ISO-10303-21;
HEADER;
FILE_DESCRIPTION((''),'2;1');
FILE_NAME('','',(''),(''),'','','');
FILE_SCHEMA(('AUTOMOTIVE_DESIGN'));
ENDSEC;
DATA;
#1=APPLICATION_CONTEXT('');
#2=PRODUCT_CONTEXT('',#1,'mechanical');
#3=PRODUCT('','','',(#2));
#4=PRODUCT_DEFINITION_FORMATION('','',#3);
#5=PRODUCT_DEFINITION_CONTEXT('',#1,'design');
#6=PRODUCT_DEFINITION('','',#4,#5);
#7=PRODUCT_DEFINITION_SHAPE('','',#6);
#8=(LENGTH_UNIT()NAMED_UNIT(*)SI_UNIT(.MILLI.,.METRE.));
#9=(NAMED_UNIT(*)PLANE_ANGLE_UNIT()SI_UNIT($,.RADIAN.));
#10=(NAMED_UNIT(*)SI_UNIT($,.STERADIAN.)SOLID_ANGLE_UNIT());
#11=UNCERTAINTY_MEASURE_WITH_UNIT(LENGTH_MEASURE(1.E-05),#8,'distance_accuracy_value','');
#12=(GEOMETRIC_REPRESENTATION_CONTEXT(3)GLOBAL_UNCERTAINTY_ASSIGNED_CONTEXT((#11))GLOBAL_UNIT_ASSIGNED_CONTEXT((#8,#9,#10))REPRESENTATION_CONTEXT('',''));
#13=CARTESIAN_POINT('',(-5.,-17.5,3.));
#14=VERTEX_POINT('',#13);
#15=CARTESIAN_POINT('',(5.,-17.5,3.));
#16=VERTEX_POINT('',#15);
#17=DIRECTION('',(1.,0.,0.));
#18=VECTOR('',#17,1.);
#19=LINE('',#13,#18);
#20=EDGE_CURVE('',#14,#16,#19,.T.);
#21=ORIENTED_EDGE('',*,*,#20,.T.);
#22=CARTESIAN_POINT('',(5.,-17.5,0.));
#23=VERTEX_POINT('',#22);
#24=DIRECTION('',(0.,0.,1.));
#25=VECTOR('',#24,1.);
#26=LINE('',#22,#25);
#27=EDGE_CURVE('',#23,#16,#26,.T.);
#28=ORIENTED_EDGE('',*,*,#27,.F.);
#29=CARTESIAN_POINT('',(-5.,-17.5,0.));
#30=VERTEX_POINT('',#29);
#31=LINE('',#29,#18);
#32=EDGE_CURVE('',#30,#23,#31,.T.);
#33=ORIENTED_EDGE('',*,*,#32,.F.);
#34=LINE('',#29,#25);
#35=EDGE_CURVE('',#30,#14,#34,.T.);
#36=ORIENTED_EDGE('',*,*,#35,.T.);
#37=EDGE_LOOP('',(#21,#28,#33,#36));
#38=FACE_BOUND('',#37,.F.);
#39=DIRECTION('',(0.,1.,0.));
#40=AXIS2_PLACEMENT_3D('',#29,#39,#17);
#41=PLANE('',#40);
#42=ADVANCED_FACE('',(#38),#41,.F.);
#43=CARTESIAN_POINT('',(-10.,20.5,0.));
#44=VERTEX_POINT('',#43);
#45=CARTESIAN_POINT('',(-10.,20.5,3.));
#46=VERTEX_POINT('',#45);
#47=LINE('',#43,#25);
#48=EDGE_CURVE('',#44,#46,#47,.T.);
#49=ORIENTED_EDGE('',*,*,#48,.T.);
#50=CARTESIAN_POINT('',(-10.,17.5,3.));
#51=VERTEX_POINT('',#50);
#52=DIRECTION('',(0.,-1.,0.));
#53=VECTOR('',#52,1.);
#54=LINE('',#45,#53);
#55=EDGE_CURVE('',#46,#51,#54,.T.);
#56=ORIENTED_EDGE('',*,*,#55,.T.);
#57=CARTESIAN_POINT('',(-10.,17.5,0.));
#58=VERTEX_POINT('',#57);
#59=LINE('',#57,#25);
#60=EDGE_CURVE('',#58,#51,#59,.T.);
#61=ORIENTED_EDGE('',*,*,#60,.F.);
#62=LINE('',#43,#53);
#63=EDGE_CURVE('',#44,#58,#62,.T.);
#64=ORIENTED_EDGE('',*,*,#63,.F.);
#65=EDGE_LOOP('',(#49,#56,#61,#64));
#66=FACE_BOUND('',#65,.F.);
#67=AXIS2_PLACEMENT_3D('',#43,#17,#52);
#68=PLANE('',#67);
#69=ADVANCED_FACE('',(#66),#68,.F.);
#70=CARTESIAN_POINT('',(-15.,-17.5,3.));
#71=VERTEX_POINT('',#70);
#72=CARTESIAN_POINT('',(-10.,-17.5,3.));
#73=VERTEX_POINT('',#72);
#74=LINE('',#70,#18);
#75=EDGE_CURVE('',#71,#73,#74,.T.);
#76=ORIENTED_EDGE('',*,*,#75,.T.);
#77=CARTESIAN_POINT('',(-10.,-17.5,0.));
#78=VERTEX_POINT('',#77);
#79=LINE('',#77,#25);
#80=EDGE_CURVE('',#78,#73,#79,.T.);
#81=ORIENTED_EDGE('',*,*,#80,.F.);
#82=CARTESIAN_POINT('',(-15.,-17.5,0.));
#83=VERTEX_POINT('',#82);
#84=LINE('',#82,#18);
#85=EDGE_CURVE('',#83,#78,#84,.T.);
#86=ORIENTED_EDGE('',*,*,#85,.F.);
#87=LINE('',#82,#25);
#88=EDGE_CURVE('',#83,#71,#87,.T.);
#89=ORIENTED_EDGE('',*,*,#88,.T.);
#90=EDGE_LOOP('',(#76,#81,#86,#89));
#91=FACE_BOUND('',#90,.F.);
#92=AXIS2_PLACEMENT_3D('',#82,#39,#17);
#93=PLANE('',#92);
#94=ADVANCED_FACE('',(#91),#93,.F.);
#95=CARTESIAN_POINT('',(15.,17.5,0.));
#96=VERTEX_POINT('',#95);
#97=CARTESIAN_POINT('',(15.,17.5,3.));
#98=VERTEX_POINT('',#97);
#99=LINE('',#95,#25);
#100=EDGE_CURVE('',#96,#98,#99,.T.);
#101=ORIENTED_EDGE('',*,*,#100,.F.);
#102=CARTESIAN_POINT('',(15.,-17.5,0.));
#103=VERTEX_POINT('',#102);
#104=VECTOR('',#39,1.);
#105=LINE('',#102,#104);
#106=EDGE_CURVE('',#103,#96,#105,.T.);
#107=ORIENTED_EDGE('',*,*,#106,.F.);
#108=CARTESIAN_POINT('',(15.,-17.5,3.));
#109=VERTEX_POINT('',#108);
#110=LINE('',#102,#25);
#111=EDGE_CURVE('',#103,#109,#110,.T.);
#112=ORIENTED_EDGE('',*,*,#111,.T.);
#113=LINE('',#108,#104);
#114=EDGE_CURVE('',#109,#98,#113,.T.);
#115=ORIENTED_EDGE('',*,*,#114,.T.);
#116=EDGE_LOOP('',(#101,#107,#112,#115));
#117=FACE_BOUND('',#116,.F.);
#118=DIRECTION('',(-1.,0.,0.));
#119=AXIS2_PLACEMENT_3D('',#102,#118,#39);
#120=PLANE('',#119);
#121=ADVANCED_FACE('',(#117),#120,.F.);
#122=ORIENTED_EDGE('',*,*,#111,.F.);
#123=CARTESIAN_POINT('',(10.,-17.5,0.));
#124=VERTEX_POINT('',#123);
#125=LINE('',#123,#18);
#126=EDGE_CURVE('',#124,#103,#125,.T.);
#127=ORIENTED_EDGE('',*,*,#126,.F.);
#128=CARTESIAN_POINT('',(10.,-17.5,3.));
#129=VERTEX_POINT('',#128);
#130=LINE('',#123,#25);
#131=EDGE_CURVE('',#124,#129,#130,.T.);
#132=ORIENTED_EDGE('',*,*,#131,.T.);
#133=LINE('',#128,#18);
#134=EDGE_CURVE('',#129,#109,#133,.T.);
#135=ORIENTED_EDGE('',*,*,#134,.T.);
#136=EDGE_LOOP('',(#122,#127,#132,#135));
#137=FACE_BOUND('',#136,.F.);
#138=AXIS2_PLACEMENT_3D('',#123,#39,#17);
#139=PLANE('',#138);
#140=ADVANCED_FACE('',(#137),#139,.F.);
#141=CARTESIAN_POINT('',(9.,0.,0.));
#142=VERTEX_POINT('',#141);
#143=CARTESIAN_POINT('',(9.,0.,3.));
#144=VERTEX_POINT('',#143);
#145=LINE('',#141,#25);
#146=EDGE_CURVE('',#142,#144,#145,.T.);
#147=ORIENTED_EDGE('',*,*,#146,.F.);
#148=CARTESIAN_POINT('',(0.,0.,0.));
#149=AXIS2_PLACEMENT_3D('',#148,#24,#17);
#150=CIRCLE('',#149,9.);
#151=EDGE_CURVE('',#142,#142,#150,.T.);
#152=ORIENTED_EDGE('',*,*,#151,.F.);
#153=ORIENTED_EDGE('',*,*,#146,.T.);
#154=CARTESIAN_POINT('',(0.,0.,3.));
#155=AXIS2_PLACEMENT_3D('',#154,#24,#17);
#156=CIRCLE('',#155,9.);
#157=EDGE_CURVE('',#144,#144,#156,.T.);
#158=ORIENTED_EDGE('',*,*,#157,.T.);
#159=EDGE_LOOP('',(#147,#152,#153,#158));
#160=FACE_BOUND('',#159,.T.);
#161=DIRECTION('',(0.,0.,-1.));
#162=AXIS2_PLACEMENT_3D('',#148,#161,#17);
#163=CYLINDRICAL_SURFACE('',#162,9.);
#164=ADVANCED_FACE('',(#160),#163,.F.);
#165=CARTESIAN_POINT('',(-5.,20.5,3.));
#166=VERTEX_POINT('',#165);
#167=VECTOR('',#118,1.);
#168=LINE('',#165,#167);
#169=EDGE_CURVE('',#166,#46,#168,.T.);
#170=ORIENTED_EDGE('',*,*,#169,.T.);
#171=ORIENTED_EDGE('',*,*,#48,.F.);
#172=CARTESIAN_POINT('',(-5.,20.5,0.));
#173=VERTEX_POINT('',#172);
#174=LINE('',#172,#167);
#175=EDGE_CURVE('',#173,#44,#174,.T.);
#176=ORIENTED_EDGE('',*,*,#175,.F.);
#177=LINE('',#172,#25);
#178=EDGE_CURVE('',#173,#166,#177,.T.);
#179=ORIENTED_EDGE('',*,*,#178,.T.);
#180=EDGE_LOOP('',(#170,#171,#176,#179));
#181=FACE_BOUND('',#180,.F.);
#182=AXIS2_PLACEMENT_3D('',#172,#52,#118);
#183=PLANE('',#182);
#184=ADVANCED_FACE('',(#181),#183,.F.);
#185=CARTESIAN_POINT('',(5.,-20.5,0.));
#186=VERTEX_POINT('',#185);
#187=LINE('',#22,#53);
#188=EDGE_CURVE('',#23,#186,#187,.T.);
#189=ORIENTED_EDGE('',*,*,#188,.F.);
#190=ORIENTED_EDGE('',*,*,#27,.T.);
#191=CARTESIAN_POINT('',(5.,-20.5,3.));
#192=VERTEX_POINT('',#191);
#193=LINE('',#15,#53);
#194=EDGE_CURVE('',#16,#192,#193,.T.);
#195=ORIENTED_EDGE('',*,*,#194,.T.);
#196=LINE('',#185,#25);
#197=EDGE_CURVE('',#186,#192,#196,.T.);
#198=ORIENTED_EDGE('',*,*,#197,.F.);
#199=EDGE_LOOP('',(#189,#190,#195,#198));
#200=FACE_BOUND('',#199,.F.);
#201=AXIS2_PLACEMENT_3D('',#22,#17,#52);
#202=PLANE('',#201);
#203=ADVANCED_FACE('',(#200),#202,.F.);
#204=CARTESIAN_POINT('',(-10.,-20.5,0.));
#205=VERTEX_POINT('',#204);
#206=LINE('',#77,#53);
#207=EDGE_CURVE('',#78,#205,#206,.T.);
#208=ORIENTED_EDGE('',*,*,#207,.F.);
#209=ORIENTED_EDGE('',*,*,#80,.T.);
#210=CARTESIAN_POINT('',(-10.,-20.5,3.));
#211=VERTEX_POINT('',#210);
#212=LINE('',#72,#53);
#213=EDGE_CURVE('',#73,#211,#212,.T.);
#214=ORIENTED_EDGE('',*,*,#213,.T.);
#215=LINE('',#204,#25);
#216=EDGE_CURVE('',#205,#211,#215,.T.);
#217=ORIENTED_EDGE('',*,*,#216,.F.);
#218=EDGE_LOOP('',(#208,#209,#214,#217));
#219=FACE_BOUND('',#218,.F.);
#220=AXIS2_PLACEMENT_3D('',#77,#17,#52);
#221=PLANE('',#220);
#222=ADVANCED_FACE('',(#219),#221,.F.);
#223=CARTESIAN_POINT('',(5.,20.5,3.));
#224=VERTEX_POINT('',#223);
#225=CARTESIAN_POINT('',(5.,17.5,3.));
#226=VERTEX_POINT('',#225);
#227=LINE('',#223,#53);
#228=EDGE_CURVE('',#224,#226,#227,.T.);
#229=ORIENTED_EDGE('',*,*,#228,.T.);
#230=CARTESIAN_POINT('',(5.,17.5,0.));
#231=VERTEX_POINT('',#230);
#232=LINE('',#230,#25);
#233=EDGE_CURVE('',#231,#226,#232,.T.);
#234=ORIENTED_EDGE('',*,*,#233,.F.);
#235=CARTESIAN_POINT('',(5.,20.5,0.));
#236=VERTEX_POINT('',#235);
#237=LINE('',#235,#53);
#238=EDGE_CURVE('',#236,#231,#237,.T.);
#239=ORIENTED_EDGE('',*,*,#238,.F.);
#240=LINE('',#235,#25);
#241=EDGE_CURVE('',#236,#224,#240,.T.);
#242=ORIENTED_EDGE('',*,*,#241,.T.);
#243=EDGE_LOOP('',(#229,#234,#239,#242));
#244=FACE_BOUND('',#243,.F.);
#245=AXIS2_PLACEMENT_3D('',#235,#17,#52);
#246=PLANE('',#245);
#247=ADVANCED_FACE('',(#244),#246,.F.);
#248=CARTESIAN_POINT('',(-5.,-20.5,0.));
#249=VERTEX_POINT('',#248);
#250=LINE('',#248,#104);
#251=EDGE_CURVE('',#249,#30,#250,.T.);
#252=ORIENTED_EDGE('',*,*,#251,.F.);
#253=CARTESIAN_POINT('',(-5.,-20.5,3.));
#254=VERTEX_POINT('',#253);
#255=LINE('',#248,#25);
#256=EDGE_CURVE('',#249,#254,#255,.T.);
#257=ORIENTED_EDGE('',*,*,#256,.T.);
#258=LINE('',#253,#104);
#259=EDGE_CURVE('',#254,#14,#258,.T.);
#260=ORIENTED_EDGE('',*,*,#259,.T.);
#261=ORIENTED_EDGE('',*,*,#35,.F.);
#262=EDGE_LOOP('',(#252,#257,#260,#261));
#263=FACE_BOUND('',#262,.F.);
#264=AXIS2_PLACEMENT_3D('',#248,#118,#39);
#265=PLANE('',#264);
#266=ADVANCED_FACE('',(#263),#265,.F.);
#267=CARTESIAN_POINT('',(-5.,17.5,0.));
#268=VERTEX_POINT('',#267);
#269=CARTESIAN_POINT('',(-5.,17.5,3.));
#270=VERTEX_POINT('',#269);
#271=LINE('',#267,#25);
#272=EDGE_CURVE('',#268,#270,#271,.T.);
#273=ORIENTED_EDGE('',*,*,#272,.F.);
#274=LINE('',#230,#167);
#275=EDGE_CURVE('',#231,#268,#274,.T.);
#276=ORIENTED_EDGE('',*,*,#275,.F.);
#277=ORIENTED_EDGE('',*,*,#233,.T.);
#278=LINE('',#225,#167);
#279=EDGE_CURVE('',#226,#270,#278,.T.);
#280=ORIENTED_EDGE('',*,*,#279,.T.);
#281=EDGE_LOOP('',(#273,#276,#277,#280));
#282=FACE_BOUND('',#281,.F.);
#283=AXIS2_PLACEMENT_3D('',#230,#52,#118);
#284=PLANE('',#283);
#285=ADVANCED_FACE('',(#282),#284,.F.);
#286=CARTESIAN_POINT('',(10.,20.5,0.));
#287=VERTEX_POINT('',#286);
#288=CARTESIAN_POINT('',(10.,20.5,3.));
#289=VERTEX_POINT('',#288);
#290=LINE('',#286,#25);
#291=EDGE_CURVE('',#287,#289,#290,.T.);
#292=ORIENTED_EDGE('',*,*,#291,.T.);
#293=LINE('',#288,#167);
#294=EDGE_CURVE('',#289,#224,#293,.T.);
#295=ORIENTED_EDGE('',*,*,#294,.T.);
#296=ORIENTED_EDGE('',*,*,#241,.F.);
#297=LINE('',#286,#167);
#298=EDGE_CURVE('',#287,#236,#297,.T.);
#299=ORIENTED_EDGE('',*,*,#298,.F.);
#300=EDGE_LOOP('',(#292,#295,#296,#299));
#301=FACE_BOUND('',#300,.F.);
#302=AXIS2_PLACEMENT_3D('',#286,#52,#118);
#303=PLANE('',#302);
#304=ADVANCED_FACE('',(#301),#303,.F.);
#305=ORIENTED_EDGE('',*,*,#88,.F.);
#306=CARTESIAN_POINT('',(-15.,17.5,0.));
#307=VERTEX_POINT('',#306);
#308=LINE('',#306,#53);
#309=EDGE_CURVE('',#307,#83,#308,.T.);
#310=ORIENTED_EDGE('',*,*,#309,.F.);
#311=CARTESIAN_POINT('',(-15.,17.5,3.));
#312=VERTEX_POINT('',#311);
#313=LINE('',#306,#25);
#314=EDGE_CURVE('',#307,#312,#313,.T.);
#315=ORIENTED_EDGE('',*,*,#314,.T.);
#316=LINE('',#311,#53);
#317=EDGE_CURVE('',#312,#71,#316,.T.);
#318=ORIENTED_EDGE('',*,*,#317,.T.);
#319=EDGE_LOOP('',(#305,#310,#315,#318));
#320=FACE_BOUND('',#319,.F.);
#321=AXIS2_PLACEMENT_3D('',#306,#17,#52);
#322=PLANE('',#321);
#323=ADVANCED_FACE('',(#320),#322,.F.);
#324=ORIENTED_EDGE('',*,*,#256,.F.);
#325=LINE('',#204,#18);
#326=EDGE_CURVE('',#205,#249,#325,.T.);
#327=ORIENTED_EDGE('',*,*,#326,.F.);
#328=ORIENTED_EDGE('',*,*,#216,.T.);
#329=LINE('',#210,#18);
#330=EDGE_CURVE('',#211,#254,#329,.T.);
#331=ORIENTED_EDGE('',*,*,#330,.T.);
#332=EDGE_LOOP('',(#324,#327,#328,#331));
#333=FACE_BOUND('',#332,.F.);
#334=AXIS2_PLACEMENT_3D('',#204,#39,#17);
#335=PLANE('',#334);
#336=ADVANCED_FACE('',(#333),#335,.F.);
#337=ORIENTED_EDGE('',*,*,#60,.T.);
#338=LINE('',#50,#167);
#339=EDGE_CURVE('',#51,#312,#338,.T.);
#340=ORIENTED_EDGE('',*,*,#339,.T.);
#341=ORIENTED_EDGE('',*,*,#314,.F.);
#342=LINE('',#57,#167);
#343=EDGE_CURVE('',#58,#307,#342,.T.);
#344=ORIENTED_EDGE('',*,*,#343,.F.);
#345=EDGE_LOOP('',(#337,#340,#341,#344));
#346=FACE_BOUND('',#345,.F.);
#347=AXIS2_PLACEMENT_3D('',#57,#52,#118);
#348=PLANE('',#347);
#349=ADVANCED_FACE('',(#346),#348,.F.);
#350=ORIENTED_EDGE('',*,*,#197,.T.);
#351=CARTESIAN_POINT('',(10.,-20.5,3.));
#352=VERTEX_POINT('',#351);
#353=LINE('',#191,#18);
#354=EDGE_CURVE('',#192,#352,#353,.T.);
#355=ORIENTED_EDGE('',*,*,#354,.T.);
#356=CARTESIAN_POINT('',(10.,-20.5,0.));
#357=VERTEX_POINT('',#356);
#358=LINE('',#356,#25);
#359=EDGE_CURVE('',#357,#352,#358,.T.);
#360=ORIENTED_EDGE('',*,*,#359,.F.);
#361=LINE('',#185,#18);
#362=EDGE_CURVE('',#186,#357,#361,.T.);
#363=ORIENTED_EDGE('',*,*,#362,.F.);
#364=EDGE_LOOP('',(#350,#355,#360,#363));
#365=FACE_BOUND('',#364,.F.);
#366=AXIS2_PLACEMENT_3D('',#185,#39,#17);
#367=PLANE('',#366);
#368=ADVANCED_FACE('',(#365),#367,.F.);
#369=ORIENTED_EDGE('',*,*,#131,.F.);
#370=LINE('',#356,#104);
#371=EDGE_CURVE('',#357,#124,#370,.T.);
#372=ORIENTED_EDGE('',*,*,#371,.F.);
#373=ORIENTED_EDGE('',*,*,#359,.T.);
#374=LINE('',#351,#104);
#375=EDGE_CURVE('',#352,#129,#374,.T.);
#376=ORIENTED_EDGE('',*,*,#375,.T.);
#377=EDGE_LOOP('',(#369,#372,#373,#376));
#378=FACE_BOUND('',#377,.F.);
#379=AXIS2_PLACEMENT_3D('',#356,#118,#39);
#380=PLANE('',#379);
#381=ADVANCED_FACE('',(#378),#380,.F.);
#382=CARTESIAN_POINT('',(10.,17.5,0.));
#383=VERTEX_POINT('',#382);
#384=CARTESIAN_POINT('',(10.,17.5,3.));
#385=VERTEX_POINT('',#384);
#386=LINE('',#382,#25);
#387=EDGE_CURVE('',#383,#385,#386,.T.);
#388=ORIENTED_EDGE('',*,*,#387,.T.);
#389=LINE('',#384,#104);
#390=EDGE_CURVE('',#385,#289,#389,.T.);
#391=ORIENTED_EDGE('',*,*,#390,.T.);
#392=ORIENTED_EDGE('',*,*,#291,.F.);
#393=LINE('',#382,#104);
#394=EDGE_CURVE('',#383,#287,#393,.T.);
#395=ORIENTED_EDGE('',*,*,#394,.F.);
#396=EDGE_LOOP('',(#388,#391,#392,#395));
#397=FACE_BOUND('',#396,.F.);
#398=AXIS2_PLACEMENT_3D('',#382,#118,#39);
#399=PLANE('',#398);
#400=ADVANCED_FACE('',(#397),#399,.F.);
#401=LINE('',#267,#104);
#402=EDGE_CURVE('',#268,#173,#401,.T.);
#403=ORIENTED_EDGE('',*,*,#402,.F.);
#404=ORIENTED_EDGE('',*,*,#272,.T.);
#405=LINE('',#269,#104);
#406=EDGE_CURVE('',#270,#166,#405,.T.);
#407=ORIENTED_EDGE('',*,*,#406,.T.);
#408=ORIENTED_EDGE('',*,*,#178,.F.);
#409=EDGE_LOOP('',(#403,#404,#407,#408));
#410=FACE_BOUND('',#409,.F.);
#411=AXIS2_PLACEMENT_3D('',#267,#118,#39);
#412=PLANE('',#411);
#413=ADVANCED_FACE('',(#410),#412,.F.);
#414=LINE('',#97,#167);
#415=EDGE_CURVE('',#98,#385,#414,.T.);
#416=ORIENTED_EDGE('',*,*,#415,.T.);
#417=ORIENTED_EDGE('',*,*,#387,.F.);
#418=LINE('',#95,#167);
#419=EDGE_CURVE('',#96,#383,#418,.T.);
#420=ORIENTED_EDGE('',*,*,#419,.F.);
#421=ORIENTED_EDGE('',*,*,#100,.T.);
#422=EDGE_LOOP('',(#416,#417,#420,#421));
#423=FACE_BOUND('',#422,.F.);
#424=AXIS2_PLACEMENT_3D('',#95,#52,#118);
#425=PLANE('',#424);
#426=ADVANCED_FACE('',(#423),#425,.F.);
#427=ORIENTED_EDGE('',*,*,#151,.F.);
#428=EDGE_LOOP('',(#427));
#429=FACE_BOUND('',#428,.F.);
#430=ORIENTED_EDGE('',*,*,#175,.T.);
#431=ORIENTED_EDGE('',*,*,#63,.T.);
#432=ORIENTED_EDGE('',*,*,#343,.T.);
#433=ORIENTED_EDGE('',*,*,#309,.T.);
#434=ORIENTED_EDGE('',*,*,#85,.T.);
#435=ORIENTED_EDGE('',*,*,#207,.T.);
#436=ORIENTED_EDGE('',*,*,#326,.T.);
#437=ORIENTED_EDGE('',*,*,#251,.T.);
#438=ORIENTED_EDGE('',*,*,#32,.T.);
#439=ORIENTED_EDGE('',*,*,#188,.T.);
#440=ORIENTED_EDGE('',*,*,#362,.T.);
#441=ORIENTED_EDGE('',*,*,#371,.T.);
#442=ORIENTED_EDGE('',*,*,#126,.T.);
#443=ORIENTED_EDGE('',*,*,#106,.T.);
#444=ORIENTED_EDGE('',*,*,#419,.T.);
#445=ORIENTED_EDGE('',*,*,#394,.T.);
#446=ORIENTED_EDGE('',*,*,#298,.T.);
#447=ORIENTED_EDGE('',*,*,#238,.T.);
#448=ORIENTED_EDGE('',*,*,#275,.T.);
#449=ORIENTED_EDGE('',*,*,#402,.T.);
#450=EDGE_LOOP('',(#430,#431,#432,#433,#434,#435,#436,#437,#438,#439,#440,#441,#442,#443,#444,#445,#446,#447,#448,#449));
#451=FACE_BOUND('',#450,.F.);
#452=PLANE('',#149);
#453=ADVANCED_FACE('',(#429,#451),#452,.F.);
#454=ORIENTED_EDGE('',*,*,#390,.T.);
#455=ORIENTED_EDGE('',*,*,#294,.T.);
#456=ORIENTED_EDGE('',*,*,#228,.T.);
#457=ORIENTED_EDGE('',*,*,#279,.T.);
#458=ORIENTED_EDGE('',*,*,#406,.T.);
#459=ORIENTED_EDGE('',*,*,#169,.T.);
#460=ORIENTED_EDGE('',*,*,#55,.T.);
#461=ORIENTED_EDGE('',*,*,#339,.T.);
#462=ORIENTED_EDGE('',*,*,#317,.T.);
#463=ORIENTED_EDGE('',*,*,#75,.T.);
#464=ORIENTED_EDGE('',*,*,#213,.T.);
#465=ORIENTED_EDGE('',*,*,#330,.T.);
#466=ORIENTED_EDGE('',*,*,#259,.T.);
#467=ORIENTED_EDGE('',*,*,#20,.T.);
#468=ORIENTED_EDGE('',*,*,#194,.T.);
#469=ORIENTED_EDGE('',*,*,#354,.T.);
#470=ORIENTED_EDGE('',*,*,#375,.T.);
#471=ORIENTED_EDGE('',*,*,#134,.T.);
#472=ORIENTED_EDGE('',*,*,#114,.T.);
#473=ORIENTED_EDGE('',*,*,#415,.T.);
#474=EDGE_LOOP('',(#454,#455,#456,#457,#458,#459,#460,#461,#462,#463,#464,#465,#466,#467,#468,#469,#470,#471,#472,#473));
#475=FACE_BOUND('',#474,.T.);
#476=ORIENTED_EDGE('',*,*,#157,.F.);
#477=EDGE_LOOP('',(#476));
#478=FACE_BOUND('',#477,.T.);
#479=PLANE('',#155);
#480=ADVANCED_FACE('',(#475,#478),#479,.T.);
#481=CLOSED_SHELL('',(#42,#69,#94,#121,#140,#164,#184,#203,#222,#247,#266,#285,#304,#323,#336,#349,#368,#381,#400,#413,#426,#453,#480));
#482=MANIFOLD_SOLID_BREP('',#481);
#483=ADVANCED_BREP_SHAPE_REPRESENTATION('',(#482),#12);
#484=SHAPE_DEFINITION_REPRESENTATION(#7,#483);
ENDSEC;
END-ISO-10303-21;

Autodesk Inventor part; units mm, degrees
ref_plane "YZ Plane" through (0, 0, 0) normal (1, 0, 0) x (0, 1, 0)
ref_plane "XZ Plane" through (0, 0, 0) normal (0, 1, 0) x (-1, 0, 0)
ref_plane "XY Plane" through (0, 0, 0) normal (0, 0, 1) x (1, 0, 0)
sketch "Boceto1" plane through (0, 0, 0) normal (0, 0, 1) x (1, 0, 0)
  circle A0 centre (0, 0) radius 9
  line L0 (15, -17.5) -> (15, 17.5)
  line L1 (15, 17.5) -> (10, 17.5)
  line L2 (10, 17.5) -> (10, 20.5)
  line L3 (10, 20.5) -> (5, 20.5)
  line L4 (5, 20.5) -> (5, 17.5)
  line L5 (5, 17.5) -> (-5, 17.5)
  line L6 (-5, 17.5) -> (-5, 20.5)
  line L7 (-5, 20.5) -> (-10, 20.5)
  line L8 (-10, 20.5) -> (-10, 17.5)
  line L9 (-10, 17.5) -> (-15, 17.5)
  line L10 (-15, 17.5) -> (-15, -17.5)
  line L11 (-15, -17.5) -> (-10, -17.5)
  line L12 (-10, -17.5) -> (-10, -20.5)
  line L13 (-10, -20.5) -> (-5, -20.5)
  line L14 (-5, -20.5) -> (-5, -17.5)
  line L15 (-5, -17.5) -> (5, -17.5)
  line L16 (5, -17.5) -> (5, -20.5)
  line L17 (5, -20.5) -> (10, -20.5)
  line L18 (10, -20.5) -> (10, -17.5)
  line L19 (10, -17.5) -> (15, -17.5)
extrude "Extrusión1" add sketch "Boceto1" along normal blind 3
properties part number "Sensor_Support" material "MDF Tablero de fibras de densidad media"
